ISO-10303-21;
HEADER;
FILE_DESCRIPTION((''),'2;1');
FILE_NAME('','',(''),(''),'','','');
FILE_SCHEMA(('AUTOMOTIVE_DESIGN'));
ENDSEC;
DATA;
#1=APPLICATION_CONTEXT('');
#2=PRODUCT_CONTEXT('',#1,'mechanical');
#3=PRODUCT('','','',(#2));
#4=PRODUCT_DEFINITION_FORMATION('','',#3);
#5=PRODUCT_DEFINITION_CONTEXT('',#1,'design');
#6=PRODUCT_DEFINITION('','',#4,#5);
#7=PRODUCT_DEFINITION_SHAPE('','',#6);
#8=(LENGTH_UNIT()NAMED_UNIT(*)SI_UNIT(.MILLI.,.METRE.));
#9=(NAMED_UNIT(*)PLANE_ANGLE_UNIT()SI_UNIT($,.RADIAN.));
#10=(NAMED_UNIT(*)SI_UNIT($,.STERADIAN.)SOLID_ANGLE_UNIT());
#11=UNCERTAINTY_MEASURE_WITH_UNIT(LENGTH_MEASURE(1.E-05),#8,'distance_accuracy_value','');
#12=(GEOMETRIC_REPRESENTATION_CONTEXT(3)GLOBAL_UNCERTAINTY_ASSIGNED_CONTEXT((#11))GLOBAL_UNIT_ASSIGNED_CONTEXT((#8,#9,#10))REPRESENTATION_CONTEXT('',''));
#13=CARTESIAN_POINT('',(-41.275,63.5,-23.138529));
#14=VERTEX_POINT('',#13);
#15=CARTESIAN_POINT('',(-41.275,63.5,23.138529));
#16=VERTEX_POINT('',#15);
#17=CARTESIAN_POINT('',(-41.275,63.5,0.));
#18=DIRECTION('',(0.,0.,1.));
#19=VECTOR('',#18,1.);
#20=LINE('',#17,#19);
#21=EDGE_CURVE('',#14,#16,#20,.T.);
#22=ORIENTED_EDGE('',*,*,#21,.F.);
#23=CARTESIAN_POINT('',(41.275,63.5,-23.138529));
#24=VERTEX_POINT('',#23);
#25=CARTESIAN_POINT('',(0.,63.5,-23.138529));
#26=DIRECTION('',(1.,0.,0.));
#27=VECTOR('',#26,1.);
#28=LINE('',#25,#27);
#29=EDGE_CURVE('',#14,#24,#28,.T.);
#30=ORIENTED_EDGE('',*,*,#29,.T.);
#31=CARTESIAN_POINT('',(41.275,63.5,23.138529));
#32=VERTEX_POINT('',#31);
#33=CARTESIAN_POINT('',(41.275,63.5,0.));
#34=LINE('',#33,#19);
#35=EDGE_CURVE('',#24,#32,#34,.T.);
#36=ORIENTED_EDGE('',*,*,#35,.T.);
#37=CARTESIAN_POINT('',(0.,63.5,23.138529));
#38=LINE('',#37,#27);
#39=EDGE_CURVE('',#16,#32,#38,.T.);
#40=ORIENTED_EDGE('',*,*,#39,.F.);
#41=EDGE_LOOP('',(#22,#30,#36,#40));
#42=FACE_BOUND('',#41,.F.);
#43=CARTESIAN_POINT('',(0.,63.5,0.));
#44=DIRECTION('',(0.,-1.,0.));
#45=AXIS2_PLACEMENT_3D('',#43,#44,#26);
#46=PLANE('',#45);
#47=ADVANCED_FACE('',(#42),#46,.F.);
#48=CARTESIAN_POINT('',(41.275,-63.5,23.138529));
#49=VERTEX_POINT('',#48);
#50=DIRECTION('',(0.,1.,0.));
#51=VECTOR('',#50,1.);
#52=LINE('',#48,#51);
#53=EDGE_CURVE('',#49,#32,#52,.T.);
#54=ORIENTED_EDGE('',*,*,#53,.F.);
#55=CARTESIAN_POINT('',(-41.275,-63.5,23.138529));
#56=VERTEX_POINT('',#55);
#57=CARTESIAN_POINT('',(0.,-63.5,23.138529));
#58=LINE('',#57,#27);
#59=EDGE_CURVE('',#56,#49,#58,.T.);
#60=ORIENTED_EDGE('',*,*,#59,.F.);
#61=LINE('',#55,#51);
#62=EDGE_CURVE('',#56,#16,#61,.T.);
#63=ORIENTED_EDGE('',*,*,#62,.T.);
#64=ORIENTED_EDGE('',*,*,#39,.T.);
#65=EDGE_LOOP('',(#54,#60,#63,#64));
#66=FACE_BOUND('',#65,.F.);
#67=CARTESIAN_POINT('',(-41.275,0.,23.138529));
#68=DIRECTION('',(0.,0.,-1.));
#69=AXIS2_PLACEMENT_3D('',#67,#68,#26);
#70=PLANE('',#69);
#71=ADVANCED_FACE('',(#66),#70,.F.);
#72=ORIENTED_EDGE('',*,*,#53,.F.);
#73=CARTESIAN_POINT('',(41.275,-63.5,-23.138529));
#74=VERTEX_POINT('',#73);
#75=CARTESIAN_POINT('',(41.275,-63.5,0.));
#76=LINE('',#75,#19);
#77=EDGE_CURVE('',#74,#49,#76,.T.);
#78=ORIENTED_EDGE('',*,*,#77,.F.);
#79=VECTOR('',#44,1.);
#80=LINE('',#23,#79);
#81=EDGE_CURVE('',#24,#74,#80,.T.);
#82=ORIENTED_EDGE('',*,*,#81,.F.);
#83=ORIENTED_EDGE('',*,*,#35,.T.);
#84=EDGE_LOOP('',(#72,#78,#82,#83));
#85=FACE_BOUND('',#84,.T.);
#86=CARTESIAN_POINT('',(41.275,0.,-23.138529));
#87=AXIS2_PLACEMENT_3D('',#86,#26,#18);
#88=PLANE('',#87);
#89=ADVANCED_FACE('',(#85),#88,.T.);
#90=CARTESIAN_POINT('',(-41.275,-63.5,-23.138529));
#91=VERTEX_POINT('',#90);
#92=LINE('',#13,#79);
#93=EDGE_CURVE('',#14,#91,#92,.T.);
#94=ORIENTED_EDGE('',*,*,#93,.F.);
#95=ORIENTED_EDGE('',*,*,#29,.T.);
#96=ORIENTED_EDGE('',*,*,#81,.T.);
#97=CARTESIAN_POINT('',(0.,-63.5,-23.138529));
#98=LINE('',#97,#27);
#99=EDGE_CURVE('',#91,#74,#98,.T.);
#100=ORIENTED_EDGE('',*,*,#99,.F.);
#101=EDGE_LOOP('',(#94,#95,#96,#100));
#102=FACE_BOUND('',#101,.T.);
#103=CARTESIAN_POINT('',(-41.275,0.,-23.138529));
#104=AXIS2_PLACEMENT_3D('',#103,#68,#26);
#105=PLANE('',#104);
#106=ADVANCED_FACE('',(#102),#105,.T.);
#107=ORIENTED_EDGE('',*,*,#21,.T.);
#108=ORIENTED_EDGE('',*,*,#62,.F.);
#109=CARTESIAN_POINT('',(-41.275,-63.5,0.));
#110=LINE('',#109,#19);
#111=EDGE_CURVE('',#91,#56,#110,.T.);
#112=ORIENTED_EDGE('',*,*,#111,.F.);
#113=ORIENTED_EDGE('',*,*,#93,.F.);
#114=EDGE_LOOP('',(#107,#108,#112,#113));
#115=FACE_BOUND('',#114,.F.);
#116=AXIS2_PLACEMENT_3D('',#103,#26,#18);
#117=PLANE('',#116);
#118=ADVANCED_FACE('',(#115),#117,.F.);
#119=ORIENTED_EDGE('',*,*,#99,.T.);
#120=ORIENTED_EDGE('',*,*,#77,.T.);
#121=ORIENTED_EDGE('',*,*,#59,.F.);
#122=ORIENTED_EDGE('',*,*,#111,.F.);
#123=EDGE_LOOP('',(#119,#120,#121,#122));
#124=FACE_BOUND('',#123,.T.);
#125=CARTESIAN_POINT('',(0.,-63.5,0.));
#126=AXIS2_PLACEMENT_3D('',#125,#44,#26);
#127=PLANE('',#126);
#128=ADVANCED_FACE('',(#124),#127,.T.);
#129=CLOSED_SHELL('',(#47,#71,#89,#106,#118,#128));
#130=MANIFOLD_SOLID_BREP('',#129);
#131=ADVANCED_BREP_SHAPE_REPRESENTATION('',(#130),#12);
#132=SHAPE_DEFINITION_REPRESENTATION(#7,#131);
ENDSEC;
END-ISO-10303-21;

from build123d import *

# Parameters (mm, degrees)
F0_W     = 82.55
F0_H     = 46.277058
F1_DEPTH = 25.4
F2_DEPTH = 63.5


with BuildPart() as f1:
    # F0 (on Front) → F1 (new body)
    with BuildSketch(Plane.XZ):
        Rectangle(F0_W, F0_H)
    extrude(amount=-F1_DEPTH)

    # F0 (on Front) → F2 (join, symmetric)
    with BuildSketch(Plane.XZ):
        Rectangle(F0_W, F0_H)
    extrude(amount=F2_DEPTH, both=True)


solid = f1.part
